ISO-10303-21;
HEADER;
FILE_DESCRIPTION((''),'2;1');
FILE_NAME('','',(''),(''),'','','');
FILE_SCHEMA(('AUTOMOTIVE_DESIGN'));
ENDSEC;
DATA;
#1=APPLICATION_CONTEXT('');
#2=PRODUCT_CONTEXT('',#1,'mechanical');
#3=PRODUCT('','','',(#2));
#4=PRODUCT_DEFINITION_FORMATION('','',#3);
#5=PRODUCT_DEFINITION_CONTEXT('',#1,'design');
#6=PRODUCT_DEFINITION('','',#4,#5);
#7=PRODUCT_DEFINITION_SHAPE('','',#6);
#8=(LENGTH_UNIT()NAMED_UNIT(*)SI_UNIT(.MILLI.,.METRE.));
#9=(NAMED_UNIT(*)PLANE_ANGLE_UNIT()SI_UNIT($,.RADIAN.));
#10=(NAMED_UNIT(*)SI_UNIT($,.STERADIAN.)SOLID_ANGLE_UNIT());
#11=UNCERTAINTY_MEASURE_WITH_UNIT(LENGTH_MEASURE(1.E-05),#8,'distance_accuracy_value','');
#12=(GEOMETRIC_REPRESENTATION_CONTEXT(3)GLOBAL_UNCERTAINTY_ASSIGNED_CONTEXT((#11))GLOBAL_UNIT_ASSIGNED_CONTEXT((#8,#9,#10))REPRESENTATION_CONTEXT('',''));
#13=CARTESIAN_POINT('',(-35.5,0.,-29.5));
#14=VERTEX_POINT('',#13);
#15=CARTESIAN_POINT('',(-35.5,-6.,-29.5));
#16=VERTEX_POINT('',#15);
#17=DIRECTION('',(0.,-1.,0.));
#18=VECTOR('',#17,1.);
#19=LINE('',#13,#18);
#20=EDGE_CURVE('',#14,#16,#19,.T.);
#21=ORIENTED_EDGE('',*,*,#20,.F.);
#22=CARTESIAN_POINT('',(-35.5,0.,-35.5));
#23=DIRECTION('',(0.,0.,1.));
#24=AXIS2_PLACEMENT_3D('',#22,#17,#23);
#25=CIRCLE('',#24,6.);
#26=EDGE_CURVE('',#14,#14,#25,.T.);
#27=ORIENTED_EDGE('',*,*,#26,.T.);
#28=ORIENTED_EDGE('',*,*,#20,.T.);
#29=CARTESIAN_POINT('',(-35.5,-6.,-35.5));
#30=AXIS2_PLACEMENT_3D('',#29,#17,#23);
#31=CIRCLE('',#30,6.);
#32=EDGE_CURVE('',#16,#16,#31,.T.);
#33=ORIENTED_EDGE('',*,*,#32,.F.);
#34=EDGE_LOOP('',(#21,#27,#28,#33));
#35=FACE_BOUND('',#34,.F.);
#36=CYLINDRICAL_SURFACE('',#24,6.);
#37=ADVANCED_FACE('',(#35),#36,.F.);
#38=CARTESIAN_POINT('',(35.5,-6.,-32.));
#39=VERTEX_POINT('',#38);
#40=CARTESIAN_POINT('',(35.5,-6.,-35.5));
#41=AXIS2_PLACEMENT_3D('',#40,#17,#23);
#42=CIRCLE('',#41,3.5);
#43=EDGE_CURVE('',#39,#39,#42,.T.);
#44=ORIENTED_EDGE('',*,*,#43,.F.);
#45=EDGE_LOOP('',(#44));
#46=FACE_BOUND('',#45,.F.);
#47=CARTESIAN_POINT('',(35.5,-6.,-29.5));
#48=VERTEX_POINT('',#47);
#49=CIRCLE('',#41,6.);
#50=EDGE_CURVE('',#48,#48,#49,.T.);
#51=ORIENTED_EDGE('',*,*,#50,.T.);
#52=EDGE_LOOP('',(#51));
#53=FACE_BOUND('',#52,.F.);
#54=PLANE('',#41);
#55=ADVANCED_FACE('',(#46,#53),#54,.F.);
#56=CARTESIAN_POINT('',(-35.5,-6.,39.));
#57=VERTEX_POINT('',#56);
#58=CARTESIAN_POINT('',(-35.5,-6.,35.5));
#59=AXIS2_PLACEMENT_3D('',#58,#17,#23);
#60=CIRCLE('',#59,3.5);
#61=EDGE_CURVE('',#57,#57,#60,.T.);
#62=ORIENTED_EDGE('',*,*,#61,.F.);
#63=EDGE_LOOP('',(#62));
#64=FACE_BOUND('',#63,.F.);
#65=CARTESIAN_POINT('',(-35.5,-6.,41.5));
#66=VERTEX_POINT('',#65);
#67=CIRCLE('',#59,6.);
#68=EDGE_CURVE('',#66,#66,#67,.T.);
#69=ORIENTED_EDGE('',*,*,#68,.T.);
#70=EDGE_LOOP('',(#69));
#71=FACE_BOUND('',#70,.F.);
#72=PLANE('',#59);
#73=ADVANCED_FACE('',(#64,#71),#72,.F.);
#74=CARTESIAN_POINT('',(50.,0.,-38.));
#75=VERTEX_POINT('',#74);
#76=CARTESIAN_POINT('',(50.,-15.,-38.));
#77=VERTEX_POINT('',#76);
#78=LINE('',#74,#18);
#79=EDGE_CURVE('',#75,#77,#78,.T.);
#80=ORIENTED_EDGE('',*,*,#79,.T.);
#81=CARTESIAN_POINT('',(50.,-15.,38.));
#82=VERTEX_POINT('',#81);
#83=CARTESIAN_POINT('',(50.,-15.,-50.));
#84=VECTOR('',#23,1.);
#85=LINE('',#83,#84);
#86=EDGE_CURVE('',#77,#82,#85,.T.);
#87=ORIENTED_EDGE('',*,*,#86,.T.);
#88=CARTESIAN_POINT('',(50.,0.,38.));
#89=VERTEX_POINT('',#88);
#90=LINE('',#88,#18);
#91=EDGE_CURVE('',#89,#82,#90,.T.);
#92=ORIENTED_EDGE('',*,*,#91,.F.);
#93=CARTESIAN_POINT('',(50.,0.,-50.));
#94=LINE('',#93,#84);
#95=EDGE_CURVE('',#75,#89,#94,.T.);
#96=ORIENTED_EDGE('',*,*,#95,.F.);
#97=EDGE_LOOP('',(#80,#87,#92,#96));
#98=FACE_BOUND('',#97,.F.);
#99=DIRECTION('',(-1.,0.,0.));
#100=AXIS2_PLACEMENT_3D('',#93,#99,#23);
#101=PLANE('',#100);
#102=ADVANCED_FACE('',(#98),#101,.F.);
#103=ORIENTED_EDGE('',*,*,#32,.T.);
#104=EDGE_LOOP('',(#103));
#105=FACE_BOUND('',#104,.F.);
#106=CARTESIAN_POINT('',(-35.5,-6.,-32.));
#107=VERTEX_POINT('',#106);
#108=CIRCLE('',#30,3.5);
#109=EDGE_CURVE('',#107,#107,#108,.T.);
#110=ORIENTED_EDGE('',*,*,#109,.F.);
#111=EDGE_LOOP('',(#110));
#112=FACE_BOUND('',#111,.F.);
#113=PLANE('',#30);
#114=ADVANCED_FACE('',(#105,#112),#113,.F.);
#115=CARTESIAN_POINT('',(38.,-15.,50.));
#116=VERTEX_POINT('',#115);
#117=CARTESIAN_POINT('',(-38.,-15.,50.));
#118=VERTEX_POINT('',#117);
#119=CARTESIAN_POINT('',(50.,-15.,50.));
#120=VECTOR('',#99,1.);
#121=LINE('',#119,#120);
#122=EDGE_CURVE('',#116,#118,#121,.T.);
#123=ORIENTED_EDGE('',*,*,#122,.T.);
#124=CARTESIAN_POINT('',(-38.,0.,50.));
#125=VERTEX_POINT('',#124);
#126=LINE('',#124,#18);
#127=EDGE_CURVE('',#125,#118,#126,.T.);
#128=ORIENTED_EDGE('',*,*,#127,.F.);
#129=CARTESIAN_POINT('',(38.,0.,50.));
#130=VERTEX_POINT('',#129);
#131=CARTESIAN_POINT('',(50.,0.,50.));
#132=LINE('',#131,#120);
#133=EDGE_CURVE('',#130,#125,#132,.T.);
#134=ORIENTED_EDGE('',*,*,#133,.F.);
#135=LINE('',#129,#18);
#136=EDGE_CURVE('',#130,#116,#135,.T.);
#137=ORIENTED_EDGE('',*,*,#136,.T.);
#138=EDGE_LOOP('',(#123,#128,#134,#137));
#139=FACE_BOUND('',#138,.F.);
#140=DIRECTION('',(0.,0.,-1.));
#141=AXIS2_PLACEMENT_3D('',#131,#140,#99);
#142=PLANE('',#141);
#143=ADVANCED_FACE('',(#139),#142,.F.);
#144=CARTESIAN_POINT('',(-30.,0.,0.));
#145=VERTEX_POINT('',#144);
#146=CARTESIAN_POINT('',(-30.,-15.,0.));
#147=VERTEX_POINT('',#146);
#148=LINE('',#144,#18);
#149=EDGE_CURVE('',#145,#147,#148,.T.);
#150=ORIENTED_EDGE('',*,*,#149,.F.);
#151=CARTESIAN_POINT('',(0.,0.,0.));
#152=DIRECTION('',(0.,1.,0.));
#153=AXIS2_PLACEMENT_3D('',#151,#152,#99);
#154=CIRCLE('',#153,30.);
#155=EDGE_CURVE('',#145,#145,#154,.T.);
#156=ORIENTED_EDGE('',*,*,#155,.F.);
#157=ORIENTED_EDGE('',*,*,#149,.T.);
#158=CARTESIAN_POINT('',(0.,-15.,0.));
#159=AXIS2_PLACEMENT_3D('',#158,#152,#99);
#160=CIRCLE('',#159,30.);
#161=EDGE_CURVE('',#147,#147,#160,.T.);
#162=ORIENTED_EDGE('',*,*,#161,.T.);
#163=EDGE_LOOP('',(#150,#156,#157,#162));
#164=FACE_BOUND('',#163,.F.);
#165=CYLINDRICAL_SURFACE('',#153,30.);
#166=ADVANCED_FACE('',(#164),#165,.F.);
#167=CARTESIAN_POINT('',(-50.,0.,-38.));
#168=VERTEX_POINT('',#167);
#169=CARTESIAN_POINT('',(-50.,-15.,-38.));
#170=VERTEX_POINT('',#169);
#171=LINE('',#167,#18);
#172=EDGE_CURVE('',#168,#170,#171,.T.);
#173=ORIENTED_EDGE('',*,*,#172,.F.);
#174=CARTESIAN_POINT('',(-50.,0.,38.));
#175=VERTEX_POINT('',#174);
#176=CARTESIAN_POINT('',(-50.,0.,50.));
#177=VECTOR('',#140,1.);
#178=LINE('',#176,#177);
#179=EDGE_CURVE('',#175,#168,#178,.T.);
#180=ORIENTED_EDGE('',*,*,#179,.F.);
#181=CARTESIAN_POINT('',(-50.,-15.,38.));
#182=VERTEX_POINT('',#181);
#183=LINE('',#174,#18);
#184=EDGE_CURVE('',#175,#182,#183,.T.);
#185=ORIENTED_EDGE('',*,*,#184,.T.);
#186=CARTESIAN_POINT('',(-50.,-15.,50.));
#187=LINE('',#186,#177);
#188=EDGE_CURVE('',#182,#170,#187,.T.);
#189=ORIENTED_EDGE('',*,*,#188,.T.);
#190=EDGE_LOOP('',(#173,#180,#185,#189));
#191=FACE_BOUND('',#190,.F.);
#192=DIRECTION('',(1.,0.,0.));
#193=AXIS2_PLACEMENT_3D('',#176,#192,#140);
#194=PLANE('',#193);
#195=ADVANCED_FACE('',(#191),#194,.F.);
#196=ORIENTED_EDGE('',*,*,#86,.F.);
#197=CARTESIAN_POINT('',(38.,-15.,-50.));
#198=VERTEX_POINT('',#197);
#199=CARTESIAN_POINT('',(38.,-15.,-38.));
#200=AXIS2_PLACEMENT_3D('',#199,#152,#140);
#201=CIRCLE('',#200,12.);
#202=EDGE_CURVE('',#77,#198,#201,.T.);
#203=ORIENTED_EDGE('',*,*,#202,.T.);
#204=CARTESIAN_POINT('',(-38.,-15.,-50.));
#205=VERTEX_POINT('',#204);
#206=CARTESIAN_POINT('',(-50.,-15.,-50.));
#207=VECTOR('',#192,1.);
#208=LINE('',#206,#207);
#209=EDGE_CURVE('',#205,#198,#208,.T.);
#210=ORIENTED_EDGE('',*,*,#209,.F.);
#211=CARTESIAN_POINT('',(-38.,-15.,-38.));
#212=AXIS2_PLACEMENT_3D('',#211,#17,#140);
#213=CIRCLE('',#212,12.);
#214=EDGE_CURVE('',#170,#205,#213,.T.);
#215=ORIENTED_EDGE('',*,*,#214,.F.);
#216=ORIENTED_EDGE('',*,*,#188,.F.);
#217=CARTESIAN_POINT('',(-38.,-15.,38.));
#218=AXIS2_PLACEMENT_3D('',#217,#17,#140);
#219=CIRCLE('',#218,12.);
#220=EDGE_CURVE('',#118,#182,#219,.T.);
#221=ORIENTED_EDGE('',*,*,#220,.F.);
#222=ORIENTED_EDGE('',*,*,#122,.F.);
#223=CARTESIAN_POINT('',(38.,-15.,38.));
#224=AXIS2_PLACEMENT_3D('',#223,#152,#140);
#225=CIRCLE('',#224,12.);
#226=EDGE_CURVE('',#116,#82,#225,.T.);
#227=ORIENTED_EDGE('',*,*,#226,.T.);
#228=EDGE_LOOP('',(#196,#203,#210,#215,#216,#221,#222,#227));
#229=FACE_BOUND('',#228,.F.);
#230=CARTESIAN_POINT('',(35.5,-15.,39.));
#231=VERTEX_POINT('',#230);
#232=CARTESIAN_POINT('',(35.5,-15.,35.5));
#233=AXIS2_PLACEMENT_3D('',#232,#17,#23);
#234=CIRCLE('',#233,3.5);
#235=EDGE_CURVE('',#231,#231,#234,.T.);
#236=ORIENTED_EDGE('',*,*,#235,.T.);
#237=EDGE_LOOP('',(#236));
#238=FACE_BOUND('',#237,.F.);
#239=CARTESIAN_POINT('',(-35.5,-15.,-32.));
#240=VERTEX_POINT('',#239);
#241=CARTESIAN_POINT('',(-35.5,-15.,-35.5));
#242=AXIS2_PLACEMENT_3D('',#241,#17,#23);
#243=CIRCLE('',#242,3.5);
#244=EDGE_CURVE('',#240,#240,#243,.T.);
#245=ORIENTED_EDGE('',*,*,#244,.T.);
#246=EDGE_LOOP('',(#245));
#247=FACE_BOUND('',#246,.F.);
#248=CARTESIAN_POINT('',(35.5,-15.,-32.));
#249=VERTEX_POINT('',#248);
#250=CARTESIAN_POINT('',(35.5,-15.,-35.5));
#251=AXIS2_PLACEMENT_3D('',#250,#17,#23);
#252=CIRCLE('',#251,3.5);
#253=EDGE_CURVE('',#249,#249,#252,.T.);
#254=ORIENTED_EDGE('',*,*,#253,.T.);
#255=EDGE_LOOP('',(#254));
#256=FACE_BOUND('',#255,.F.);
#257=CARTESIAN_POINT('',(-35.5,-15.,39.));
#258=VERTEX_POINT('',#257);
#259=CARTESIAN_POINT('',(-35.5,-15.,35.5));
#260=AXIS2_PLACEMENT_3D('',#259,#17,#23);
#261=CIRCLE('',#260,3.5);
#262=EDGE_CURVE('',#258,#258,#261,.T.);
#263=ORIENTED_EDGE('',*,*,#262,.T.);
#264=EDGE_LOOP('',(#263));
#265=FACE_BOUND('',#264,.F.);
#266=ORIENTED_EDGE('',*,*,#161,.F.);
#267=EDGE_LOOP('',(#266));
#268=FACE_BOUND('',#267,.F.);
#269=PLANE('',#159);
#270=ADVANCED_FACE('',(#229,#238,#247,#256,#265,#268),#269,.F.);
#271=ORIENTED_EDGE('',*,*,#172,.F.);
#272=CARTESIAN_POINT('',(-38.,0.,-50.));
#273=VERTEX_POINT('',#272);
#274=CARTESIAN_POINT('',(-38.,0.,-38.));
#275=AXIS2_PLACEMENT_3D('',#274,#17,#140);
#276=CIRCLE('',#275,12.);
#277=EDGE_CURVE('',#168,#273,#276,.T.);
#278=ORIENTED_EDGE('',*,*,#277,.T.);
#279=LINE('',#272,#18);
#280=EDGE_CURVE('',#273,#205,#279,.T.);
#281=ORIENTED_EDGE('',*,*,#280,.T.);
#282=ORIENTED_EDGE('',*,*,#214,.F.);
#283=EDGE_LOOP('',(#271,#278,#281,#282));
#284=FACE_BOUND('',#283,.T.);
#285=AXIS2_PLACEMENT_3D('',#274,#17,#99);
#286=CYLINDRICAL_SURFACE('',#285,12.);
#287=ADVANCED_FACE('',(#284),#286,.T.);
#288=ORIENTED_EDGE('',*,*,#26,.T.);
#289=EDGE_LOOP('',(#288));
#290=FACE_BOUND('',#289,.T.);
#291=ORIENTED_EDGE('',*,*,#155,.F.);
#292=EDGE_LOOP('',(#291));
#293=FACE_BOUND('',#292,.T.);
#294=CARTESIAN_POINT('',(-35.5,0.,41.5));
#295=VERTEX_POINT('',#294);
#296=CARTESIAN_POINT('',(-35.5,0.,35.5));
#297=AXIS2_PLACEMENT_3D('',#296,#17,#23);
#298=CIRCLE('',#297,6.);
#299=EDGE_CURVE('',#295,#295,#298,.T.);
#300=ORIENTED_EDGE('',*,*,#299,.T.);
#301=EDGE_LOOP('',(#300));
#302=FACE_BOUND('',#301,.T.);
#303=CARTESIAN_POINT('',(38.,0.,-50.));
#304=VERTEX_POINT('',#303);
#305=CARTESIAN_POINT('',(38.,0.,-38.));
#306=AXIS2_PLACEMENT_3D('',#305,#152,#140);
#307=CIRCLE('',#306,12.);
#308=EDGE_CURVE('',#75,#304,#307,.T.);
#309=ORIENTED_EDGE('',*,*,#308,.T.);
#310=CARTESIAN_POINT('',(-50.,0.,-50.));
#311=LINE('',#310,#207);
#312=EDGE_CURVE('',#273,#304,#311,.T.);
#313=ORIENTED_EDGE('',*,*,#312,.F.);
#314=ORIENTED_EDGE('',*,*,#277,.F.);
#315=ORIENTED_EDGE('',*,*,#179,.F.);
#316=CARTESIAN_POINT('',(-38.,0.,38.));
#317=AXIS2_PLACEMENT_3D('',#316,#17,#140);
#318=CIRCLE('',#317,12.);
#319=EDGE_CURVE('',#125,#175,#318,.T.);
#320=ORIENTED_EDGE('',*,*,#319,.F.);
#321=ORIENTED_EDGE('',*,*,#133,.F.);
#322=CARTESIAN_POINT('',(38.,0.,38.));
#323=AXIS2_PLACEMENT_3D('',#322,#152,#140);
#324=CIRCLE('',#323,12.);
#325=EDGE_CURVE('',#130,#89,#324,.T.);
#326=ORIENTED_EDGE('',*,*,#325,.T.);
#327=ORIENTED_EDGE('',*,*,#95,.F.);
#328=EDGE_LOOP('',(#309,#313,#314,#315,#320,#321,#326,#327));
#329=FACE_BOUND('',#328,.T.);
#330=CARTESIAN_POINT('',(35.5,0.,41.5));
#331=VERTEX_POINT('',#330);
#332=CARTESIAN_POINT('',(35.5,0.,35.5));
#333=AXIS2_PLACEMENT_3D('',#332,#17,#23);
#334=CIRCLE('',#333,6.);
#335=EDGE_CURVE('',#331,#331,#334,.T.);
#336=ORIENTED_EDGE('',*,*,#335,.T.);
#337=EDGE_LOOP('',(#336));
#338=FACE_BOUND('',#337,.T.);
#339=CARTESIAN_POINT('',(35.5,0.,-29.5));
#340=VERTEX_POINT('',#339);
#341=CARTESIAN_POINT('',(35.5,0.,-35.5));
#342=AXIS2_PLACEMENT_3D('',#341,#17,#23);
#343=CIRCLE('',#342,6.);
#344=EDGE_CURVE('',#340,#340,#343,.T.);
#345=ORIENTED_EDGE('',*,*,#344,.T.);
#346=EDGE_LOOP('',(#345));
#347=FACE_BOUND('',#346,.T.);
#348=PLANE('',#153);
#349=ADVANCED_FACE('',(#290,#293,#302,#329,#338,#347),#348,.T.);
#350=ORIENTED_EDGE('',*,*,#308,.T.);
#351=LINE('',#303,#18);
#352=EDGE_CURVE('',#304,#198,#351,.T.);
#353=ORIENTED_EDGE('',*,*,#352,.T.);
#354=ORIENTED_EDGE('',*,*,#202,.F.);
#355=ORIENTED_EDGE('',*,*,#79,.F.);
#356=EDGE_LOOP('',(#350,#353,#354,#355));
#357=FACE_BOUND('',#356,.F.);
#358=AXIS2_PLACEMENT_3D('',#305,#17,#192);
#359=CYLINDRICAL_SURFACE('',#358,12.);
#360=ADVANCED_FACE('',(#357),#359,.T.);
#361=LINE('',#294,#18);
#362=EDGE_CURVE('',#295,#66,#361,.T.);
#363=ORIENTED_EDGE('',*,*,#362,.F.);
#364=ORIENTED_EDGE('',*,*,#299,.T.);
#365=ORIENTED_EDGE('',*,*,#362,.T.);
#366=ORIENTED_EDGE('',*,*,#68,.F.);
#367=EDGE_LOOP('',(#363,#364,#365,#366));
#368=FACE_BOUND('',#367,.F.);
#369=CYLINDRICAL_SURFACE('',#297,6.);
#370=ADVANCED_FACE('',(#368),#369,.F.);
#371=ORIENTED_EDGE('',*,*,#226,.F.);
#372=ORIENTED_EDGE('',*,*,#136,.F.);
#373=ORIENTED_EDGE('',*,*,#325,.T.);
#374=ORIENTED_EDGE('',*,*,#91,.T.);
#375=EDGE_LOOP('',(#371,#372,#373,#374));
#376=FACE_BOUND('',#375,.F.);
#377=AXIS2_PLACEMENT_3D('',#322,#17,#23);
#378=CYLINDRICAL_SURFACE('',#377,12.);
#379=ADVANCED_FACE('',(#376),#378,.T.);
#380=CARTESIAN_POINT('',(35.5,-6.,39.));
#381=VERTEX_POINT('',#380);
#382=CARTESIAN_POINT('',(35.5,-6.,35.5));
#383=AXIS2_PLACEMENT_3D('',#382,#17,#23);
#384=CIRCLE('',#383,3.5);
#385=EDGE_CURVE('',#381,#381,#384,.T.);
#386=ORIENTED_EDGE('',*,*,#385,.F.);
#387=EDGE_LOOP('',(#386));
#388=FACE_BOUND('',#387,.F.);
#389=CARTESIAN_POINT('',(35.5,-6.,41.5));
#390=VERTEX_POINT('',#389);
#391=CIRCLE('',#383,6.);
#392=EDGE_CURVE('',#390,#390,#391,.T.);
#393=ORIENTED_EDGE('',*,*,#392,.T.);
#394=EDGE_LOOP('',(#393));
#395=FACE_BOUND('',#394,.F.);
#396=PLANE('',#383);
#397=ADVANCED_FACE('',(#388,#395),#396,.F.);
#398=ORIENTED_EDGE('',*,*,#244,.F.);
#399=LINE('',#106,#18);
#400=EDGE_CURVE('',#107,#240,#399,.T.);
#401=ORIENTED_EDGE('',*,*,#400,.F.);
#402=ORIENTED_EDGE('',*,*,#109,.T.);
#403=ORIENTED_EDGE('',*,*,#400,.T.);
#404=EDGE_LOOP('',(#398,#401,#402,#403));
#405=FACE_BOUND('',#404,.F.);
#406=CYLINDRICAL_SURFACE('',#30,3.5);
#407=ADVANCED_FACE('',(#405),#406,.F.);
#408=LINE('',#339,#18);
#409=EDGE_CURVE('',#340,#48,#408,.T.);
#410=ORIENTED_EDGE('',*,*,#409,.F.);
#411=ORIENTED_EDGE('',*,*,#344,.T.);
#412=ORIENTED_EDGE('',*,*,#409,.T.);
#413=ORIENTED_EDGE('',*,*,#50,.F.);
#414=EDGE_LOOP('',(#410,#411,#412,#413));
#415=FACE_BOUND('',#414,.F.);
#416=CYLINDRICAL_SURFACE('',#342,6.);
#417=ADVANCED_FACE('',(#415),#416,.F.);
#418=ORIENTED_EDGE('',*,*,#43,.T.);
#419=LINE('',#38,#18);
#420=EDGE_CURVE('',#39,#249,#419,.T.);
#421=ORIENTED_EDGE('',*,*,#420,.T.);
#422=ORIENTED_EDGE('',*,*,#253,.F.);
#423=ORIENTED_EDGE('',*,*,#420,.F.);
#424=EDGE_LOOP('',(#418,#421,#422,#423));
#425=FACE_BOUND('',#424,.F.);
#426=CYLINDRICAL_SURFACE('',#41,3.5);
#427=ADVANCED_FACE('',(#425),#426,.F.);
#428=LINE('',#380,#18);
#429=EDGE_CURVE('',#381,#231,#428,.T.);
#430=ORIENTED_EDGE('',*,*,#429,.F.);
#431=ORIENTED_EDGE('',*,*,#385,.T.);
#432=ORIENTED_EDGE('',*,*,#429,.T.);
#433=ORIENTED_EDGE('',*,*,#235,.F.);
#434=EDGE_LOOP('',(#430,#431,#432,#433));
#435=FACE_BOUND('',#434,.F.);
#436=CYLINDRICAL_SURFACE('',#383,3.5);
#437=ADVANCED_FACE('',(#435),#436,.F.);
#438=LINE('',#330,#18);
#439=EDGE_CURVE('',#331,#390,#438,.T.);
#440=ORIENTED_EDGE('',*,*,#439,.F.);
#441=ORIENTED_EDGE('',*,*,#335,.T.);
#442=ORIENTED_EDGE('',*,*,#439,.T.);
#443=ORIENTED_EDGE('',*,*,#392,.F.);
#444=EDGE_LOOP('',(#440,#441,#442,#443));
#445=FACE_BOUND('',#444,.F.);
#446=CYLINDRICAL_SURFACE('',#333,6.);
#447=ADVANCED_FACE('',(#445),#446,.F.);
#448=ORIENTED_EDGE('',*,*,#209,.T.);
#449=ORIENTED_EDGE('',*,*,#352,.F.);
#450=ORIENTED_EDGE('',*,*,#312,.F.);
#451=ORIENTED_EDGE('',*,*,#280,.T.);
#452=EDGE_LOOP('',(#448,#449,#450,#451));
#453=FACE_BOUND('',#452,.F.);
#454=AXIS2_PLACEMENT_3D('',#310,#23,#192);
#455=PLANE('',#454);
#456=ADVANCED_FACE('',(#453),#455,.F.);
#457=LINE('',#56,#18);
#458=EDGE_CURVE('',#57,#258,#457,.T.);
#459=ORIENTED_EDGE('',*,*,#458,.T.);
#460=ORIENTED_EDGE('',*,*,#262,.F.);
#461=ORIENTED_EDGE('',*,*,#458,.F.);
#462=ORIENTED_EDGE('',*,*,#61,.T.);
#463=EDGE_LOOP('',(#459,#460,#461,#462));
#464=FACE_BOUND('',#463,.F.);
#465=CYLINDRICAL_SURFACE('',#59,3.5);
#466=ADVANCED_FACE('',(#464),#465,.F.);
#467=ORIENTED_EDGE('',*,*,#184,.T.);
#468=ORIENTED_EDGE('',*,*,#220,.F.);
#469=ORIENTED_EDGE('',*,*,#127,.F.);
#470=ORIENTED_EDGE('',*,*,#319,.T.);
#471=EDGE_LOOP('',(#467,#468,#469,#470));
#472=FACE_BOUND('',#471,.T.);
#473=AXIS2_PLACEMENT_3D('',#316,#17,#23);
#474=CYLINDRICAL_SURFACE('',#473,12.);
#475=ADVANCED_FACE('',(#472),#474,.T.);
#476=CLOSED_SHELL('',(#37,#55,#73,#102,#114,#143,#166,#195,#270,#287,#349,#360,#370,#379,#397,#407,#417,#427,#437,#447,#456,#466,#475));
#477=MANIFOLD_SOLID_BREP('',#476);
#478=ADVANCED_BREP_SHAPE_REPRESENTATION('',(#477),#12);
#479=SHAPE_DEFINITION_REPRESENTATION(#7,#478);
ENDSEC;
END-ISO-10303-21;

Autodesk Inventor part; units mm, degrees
ref_plane "YZ Plane" through (0, 0, 0) normal (1, 0, 0) x (0, 1, 0)
ref_plane "XZ Plane" through (0, 0, 0) normal (0, 1, 0) x (-1, 0, 0)
ref_plane "XY Plane" through (0, 0, 0) normal (0, 0, 1) x (1, 0, 0)
sketch "Sketch1" plane through (0, 0, 0) normal (0, 1, 0) x (-1, 0, 0)
  line L0 (-50, 50) -> (50, 50)
  line L1 (50, 50) -> (50, -50)
  line L2 (50, -50) -> (-50, -50)
  line L3 (-50, -50) -> (-50, 50)
  line L4 (-50, 50) -> (50, -50) construction
  line L5 (50, 50) -> (-50, -50) construction
  line L6 (-35.5, 35.5) -> (35.5, 35.5) construction
  line L7 (35.5, 35.5) -> (35.5, -35.5) construction
  line L8 (35.5, -35.5) -> (-35.5, -35.5) construction
  line L9 (-35.5, -35.5) -> (-35.5, 35.5) construction
  line L10 (-35.5, 35.5) -> (35.5, -35.5) construction
  line L11 (35.5, 35.5) -> (-35.5, -35.5) construction
  circle A0 centre (0, 0) radius 30
  dimension "d0" = 100
  dimension "d1" = 71
  dimension "d2" = 60
extrude "Extrusion1" add sketch "Sketch1" against normal blind 15
hole "Hole1" at (-35.5, 0, -35.5) at (35.5, 0, -35.5) at (-35.5, 0, 35.5) at (35.5, 0, 35.5) direction (0, -1, 0) diameter 7 end through all counterbore diameter 12 counterbore depth 6
fillet "Fillet1" radius 12 4 edges at (-50, -7.5, 50) (-50, -7.5, -50) (50, -7.5, -50) (50, -7.5, 50)
properties part number "CamTest2"
